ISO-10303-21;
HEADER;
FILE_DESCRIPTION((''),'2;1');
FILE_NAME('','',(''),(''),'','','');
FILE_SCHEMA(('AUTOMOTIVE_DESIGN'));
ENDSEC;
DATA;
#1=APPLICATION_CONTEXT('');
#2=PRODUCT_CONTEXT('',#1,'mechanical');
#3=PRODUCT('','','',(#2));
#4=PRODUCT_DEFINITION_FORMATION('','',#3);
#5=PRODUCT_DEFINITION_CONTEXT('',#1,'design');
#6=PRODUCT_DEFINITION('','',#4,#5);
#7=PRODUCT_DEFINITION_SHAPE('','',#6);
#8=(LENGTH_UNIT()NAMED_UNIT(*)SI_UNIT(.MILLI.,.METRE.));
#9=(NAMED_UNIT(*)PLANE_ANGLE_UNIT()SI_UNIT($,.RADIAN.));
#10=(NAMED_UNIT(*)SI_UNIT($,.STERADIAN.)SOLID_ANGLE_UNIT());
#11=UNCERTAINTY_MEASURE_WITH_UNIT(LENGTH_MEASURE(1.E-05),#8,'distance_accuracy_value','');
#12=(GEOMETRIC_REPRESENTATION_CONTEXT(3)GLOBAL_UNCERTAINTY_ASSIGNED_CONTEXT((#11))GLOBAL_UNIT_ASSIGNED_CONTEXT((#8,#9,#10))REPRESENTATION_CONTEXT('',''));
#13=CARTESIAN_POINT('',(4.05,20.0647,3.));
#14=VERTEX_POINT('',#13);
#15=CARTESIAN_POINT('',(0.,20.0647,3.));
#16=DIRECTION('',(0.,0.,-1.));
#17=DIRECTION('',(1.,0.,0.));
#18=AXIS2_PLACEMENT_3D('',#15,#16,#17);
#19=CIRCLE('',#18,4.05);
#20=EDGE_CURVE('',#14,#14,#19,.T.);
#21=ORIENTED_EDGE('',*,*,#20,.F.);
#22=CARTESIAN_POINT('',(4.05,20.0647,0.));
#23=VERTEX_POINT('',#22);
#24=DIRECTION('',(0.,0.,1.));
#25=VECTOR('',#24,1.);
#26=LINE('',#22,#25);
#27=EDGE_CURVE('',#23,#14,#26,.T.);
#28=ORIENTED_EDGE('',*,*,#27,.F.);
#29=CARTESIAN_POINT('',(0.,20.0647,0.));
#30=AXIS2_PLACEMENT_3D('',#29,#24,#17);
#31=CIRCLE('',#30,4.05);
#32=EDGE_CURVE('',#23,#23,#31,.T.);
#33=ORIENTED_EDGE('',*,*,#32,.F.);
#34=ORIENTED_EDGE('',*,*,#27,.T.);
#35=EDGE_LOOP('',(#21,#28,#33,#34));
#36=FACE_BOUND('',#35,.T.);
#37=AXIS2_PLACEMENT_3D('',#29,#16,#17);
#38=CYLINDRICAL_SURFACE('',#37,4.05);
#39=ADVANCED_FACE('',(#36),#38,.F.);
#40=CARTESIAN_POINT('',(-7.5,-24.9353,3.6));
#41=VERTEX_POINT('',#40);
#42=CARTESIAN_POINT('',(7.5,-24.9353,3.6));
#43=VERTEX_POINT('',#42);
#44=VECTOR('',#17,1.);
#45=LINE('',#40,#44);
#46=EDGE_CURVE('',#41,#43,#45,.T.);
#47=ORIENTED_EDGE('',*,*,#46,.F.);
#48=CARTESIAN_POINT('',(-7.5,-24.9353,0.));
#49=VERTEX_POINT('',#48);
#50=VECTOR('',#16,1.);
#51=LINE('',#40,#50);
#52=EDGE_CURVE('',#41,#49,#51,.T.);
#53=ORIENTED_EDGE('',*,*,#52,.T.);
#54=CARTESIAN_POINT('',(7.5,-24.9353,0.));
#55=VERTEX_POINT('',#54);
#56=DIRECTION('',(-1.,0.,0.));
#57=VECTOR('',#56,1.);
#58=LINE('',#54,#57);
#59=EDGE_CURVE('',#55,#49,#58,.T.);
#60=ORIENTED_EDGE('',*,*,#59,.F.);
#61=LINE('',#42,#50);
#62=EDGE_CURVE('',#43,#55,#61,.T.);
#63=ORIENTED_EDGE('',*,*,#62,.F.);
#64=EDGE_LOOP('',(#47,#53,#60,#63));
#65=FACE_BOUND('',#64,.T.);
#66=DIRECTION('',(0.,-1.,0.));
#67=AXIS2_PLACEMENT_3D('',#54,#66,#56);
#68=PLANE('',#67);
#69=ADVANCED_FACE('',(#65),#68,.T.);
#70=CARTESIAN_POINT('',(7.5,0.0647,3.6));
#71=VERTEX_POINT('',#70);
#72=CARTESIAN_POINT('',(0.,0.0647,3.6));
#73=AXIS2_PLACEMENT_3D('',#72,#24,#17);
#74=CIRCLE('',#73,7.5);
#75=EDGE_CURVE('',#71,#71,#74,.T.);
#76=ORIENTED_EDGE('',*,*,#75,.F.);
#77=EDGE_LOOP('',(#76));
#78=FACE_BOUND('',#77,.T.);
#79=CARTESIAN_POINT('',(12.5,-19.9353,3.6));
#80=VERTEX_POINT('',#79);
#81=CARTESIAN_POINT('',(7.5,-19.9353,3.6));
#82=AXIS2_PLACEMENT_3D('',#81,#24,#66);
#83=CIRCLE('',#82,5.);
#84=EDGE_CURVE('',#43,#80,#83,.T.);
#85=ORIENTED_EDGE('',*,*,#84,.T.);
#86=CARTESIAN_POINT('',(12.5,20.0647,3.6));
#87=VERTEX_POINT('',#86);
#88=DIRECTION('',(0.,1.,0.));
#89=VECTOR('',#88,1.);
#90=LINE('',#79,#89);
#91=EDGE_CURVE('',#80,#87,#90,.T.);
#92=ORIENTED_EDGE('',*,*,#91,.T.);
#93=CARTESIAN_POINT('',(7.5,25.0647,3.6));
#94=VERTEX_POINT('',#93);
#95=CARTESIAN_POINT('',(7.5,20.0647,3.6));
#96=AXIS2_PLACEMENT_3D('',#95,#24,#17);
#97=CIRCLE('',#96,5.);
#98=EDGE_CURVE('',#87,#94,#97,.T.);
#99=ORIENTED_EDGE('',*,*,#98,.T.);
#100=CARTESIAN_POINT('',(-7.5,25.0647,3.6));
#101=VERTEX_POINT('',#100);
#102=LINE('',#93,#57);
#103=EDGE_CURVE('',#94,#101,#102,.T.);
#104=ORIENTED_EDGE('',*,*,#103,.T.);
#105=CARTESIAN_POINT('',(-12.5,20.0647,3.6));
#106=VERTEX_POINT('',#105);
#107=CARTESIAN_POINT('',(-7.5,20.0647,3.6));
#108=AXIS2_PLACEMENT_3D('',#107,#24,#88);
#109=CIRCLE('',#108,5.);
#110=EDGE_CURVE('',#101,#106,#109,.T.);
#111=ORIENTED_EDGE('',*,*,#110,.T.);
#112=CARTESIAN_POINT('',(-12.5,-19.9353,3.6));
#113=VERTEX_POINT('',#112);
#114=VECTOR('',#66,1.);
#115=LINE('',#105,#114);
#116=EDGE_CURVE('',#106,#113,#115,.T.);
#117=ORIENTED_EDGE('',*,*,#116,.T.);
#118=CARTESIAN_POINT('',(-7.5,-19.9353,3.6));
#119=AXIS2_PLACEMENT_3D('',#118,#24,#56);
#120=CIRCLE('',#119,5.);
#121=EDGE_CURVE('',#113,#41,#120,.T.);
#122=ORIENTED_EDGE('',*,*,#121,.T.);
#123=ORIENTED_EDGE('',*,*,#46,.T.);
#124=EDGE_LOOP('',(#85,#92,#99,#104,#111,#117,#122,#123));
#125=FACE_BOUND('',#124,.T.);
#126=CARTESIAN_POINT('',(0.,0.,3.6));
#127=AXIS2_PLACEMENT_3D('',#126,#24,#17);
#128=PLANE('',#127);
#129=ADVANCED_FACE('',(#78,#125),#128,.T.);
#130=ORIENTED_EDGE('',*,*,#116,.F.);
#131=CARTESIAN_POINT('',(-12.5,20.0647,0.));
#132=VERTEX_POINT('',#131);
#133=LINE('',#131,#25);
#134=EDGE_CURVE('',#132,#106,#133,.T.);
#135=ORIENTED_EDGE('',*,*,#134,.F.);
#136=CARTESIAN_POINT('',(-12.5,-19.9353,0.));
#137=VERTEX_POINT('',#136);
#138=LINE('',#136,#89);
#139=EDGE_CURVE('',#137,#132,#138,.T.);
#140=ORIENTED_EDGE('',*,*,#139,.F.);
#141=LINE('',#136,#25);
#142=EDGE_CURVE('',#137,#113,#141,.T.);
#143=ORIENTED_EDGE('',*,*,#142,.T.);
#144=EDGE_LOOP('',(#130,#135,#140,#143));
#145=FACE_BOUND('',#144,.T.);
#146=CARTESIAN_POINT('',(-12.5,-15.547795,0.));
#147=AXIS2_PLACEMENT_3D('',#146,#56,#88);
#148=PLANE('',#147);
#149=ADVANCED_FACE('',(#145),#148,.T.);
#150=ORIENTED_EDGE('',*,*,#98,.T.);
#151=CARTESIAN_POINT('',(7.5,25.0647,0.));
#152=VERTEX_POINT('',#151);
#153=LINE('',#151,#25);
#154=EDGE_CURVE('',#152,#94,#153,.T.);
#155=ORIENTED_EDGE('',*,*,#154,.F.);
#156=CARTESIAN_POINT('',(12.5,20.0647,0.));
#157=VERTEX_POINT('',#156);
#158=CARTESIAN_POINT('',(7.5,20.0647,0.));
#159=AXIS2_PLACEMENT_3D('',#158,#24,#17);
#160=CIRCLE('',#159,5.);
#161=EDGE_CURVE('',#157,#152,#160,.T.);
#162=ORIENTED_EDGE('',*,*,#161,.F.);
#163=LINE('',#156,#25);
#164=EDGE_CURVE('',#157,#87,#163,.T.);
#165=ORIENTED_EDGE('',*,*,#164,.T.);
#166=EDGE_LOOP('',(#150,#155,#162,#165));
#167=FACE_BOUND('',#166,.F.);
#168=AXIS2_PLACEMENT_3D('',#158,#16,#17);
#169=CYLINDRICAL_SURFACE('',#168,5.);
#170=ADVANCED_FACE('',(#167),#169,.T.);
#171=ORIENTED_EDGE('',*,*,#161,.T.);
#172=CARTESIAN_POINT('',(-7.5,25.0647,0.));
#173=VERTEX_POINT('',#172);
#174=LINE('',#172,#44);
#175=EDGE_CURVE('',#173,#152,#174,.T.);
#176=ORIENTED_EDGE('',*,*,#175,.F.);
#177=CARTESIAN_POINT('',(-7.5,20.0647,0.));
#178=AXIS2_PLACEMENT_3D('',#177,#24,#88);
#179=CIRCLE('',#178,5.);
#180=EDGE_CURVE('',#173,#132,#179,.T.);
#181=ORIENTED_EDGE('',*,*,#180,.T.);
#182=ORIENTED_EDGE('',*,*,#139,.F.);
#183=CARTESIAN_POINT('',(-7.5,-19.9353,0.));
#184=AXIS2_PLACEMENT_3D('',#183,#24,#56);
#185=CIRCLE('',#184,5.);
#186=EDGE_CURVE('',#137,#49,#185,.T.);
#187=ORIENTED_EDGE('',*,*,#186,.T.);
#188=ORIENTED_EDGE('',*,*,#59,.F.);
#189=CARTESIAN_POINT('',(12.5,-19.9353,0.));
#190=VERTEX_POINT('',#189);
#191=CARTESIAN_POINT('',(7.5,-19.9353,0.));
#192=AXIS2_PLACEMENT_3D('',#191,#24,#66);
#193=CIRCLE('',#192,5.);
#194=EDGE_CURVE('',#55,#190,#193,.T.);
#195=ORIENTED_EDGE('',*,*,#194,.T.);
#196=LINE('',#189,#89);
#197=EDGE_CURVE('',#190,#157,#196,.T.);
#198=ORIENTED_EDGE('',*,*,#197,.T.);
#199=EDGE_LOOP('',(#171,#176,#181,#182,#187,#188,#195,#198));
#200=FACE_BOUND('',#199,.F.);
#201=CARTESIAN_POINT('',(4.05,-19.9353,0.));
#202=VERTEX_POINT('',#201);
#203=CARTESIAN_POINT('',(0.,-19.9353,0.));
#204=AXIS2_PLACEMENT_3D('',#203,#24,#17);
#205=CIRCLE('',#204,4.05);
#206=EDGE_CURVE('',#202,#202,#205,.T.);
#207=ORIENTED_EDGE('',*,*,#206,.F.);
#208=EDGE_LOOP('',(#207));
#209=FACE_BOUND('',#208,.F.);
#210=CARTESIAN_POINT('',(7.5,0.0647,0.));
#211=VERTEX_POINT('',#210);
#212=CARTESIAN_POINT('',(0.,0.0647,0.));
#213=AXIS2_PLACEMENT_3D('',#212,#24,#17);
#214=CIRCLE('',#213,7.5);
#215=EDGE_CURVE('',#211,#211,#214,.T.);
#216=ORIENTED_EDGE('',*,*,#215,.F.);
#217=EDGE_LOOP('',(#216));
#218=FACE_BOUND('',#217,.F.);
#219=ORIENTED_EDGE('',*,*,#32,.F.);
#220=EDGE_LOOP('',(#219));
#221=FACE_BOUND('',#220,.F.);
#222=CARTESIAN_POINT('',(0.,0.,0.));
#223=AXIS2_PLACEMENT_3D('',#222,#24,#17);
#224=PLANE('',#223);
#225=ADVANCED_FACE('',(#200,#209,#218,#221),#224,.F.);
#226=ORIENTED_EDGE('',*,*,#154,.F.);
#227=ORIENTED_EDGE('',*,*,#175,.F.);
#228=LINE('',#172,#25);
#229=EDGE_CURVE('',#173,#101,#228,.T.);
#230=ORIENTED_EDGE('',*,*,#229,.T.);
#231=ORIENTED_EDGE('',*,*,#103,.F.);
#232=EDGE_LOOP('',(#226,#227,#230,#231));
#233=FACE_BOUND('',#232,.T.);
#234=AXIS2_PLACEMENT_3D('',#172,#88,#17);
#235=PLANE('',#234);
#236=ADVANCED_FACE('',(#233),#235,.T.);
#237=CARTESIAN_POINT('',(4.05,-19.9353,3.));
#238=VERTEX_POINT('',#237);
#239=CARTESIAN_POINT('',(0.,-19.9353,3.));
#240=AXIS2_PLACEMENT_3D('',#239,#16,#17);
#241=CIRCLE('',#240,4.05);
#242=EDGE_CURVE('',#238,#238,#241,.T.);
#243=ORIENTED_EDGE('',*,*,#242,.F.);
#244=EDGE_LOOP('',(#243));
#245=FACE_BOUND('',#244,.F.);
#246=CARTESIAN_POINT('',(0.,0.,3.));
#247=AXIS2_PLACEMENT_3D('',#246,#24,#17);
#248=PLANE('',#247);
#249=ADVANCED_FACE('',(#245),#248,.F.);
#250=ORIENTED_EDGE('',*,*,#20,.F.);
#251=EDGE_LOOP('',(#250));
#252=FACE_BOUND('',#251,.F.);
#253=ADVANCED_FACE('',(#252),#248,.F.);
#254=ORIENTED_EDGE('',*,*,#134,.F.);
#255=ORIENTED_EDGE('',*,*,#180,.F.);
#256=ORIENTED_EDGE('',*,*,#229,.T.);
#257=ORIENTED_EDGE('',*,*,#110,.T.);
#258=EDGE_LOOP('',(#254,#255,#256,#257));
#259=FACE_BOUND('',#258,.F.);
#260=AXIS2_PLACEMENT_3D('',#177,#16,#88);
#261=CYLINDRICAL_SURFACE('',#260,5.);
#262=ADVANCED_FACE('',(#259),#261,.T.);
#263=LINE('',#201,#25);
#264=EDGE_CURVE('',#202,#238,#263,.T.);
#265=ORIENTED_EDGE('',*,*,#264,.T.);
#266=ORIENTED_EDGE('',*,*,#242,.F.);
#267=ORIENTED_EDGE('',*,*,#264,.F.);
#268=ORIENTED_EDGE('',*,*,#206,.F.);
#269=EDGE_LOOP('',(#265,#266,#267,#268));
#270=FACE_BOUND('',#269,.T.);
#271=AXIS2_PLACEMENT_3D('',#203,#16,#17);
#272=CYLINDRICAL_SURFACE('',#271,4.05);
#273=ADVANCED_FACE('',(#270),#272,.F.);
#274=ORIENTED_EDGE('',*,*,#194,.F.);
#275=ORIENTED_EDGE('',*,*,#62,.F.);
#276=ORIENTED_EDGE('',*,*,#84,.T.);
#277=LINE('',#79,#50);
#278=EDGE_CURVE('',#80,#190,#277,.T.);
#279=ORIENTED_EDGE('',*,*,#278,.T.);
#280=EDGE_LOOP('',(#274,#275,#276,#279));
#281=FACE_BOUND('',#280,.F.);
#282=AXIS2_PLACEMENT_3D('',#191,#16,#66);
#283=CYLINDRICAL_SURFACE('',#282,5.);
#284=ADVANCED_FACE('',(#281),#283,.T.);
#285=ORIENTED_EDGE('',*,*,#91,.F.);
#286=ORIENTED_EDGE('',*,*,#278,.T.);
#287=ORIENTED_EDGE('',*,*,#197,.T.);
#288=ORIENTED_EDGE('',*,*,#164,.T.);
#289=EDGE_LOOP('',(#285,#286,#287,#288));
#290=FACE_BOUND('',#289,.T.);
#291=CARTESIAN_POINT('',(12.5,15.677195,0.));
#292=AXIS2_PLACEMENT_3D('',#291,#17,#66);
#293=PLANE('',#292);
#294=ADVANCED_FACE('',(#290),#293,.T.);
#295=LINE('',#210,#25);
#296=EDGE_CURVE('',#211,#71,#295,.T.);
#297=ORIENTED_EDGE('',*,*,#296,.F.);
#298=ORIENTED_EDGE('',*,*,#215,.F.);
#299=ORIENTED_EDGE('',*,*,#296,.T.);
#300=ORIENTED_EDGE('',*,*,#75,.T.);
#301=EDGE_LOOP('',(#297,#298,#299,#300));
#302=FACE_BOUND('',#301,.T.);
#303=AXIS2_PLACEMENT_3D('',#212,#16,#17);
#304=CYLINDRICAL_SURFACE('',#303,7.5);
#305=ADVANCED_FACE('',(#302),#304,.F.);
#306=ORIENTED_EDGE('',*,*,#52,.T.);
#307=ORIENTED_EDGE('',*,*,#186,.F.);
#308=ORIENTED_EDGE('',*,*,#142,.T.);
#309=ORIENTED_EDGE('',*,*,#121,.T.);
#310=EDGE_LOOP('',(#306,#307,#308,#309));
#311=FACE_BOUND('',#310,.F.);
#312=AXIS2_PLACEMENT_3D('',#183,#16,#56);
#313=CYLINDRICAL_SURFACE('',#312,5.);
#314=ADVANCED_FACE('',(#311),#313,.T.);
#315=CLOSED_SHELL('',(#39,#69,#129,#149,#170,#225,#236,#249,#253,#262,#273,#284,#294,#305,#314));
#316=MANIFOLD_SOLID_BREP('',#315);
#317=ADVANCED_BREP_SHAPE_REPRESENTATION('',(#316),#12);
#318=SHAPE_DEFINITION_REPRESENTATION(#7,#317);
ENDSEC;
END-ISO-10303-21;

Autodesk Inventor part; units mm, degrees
ref_plane "YZ Plane" through (0, 0, 0) normal (1, 0, 0) x (0, 1, 0)
ref_plane "XZ Plane" through (0, 0, 0) normal (0, 1, 0) x (-1, 0, 0)
ref_plane "XY Plane" through (0, 0, 0) normal (0, 0, 1) x (1, 0, 0)
sketch "Sketch1" plane through (0, 0, 0) normal (0, 0, 1) x (1, 0, 0)
  line L0 (0, -36.3851) -> (0, 36.5144) construction
  circle A0 centre (0, 0.0647) radius 20
  circle A1 centre (0, 20.0647) radius 4.05
  circle A2 centre (0, -19.9353) radius 4.05
  line L1 (7.5, -24.9353) -> (-7.5, -24.9353)
  line L2 (-12.5, -19.9353) -> (-12.5, 20.0647)
  line L3 (-7.5, 25.0647) -> (7.5, 25.0647)
  line L4 (12.5, 20.0647) -> (12.5, -19.9353)
  line L5 (12.5, -24.9353) -> (-12.5, 25.0647) construction
  line L6 (-12.5, -24.9353) -> (12.5, 25.0647) construction
  arc A3 (-7.5, 25.0647) -> (-12.5, 20.0647) centre (-7.5, 20.0647) ccw
  arc A4 (12.5, 20.0647) -> (7.5, 25.0647) centre (7.5, 20.0647) ccw
  arc A5 (7.5, -24.9353) -> (12.5, -19.9353) centre (7.5, -19.9353) ccw
  arc A6 (-12.5, -19.9353) -> (-7.5, -24.9353) centre (-7.5, -19.9353) ccw
  circle A7 centre (0, 0.0647) radius 7.5
  dimension "d6" = 40
  dimension "d7" = 8.1
  dimension "d8" = 8.1
  dimension "d9" = 25
  dimension "d10" = 50
  dimension "d11" = 5
  dimension "d12" = 15
extrude "Extrusion1" add sketch "Sketch1" along normal blind 3 contours L4 A0 A2 L2 A1 | A0 A1 L2 A3 L3 A4 L4 | L4 A5 L1 A6 L2 A0 A2
sketch "Skizze2" plane through (0, 0, 3) normal (0, 0, 1) x (1, 0, 0)
  circle A0 centre (0, 20.0647) radius 4.05 projected
  circle A1 centre (0, 0.0647) radius 7.5 projected
  circle A2 centre (0, -19.9353) radius 4.05 projected
  arc A3 (12.5, 20.0647) -> (7.5, 25.0647) centre (7.5, 20.0647) ccw projected
  line L0 (7.5, 25.0647) -> (-7.5, 25.0647) projected
  arc A4 (-7.5, 25.0647) -> (-12.5, 20.0647) centre (-7.5, 20.0647) ccw projected
  line L1 (-12.5, 20.0647) -> (-12.5, -19.9353) projected
  arc A5 (-12.5, -19.9353) -> (-7.5, -24.9353) centre (-7.5, -19.9353) ccw projected
  line L2 (-7.5, -24.9353) -> (7.5, -24.9353) projected
  arc A6 (7.5, -24.9353) -> (12.5, -19.9353) centre (7.5, -19.9353) ccw projected
  line L3 (12.5, -19.9353) -> (12.5, 20.0647) projected
  point P0 (0, 0)
extrude "Extrusion2" add sketch "Skizze2" along normal blind 0.6 contours A0 | A2 | L3 A6 L2 A5 L1 A4 L0 A3
properties part number "20_Cube_Insert_Sample_clamp"
